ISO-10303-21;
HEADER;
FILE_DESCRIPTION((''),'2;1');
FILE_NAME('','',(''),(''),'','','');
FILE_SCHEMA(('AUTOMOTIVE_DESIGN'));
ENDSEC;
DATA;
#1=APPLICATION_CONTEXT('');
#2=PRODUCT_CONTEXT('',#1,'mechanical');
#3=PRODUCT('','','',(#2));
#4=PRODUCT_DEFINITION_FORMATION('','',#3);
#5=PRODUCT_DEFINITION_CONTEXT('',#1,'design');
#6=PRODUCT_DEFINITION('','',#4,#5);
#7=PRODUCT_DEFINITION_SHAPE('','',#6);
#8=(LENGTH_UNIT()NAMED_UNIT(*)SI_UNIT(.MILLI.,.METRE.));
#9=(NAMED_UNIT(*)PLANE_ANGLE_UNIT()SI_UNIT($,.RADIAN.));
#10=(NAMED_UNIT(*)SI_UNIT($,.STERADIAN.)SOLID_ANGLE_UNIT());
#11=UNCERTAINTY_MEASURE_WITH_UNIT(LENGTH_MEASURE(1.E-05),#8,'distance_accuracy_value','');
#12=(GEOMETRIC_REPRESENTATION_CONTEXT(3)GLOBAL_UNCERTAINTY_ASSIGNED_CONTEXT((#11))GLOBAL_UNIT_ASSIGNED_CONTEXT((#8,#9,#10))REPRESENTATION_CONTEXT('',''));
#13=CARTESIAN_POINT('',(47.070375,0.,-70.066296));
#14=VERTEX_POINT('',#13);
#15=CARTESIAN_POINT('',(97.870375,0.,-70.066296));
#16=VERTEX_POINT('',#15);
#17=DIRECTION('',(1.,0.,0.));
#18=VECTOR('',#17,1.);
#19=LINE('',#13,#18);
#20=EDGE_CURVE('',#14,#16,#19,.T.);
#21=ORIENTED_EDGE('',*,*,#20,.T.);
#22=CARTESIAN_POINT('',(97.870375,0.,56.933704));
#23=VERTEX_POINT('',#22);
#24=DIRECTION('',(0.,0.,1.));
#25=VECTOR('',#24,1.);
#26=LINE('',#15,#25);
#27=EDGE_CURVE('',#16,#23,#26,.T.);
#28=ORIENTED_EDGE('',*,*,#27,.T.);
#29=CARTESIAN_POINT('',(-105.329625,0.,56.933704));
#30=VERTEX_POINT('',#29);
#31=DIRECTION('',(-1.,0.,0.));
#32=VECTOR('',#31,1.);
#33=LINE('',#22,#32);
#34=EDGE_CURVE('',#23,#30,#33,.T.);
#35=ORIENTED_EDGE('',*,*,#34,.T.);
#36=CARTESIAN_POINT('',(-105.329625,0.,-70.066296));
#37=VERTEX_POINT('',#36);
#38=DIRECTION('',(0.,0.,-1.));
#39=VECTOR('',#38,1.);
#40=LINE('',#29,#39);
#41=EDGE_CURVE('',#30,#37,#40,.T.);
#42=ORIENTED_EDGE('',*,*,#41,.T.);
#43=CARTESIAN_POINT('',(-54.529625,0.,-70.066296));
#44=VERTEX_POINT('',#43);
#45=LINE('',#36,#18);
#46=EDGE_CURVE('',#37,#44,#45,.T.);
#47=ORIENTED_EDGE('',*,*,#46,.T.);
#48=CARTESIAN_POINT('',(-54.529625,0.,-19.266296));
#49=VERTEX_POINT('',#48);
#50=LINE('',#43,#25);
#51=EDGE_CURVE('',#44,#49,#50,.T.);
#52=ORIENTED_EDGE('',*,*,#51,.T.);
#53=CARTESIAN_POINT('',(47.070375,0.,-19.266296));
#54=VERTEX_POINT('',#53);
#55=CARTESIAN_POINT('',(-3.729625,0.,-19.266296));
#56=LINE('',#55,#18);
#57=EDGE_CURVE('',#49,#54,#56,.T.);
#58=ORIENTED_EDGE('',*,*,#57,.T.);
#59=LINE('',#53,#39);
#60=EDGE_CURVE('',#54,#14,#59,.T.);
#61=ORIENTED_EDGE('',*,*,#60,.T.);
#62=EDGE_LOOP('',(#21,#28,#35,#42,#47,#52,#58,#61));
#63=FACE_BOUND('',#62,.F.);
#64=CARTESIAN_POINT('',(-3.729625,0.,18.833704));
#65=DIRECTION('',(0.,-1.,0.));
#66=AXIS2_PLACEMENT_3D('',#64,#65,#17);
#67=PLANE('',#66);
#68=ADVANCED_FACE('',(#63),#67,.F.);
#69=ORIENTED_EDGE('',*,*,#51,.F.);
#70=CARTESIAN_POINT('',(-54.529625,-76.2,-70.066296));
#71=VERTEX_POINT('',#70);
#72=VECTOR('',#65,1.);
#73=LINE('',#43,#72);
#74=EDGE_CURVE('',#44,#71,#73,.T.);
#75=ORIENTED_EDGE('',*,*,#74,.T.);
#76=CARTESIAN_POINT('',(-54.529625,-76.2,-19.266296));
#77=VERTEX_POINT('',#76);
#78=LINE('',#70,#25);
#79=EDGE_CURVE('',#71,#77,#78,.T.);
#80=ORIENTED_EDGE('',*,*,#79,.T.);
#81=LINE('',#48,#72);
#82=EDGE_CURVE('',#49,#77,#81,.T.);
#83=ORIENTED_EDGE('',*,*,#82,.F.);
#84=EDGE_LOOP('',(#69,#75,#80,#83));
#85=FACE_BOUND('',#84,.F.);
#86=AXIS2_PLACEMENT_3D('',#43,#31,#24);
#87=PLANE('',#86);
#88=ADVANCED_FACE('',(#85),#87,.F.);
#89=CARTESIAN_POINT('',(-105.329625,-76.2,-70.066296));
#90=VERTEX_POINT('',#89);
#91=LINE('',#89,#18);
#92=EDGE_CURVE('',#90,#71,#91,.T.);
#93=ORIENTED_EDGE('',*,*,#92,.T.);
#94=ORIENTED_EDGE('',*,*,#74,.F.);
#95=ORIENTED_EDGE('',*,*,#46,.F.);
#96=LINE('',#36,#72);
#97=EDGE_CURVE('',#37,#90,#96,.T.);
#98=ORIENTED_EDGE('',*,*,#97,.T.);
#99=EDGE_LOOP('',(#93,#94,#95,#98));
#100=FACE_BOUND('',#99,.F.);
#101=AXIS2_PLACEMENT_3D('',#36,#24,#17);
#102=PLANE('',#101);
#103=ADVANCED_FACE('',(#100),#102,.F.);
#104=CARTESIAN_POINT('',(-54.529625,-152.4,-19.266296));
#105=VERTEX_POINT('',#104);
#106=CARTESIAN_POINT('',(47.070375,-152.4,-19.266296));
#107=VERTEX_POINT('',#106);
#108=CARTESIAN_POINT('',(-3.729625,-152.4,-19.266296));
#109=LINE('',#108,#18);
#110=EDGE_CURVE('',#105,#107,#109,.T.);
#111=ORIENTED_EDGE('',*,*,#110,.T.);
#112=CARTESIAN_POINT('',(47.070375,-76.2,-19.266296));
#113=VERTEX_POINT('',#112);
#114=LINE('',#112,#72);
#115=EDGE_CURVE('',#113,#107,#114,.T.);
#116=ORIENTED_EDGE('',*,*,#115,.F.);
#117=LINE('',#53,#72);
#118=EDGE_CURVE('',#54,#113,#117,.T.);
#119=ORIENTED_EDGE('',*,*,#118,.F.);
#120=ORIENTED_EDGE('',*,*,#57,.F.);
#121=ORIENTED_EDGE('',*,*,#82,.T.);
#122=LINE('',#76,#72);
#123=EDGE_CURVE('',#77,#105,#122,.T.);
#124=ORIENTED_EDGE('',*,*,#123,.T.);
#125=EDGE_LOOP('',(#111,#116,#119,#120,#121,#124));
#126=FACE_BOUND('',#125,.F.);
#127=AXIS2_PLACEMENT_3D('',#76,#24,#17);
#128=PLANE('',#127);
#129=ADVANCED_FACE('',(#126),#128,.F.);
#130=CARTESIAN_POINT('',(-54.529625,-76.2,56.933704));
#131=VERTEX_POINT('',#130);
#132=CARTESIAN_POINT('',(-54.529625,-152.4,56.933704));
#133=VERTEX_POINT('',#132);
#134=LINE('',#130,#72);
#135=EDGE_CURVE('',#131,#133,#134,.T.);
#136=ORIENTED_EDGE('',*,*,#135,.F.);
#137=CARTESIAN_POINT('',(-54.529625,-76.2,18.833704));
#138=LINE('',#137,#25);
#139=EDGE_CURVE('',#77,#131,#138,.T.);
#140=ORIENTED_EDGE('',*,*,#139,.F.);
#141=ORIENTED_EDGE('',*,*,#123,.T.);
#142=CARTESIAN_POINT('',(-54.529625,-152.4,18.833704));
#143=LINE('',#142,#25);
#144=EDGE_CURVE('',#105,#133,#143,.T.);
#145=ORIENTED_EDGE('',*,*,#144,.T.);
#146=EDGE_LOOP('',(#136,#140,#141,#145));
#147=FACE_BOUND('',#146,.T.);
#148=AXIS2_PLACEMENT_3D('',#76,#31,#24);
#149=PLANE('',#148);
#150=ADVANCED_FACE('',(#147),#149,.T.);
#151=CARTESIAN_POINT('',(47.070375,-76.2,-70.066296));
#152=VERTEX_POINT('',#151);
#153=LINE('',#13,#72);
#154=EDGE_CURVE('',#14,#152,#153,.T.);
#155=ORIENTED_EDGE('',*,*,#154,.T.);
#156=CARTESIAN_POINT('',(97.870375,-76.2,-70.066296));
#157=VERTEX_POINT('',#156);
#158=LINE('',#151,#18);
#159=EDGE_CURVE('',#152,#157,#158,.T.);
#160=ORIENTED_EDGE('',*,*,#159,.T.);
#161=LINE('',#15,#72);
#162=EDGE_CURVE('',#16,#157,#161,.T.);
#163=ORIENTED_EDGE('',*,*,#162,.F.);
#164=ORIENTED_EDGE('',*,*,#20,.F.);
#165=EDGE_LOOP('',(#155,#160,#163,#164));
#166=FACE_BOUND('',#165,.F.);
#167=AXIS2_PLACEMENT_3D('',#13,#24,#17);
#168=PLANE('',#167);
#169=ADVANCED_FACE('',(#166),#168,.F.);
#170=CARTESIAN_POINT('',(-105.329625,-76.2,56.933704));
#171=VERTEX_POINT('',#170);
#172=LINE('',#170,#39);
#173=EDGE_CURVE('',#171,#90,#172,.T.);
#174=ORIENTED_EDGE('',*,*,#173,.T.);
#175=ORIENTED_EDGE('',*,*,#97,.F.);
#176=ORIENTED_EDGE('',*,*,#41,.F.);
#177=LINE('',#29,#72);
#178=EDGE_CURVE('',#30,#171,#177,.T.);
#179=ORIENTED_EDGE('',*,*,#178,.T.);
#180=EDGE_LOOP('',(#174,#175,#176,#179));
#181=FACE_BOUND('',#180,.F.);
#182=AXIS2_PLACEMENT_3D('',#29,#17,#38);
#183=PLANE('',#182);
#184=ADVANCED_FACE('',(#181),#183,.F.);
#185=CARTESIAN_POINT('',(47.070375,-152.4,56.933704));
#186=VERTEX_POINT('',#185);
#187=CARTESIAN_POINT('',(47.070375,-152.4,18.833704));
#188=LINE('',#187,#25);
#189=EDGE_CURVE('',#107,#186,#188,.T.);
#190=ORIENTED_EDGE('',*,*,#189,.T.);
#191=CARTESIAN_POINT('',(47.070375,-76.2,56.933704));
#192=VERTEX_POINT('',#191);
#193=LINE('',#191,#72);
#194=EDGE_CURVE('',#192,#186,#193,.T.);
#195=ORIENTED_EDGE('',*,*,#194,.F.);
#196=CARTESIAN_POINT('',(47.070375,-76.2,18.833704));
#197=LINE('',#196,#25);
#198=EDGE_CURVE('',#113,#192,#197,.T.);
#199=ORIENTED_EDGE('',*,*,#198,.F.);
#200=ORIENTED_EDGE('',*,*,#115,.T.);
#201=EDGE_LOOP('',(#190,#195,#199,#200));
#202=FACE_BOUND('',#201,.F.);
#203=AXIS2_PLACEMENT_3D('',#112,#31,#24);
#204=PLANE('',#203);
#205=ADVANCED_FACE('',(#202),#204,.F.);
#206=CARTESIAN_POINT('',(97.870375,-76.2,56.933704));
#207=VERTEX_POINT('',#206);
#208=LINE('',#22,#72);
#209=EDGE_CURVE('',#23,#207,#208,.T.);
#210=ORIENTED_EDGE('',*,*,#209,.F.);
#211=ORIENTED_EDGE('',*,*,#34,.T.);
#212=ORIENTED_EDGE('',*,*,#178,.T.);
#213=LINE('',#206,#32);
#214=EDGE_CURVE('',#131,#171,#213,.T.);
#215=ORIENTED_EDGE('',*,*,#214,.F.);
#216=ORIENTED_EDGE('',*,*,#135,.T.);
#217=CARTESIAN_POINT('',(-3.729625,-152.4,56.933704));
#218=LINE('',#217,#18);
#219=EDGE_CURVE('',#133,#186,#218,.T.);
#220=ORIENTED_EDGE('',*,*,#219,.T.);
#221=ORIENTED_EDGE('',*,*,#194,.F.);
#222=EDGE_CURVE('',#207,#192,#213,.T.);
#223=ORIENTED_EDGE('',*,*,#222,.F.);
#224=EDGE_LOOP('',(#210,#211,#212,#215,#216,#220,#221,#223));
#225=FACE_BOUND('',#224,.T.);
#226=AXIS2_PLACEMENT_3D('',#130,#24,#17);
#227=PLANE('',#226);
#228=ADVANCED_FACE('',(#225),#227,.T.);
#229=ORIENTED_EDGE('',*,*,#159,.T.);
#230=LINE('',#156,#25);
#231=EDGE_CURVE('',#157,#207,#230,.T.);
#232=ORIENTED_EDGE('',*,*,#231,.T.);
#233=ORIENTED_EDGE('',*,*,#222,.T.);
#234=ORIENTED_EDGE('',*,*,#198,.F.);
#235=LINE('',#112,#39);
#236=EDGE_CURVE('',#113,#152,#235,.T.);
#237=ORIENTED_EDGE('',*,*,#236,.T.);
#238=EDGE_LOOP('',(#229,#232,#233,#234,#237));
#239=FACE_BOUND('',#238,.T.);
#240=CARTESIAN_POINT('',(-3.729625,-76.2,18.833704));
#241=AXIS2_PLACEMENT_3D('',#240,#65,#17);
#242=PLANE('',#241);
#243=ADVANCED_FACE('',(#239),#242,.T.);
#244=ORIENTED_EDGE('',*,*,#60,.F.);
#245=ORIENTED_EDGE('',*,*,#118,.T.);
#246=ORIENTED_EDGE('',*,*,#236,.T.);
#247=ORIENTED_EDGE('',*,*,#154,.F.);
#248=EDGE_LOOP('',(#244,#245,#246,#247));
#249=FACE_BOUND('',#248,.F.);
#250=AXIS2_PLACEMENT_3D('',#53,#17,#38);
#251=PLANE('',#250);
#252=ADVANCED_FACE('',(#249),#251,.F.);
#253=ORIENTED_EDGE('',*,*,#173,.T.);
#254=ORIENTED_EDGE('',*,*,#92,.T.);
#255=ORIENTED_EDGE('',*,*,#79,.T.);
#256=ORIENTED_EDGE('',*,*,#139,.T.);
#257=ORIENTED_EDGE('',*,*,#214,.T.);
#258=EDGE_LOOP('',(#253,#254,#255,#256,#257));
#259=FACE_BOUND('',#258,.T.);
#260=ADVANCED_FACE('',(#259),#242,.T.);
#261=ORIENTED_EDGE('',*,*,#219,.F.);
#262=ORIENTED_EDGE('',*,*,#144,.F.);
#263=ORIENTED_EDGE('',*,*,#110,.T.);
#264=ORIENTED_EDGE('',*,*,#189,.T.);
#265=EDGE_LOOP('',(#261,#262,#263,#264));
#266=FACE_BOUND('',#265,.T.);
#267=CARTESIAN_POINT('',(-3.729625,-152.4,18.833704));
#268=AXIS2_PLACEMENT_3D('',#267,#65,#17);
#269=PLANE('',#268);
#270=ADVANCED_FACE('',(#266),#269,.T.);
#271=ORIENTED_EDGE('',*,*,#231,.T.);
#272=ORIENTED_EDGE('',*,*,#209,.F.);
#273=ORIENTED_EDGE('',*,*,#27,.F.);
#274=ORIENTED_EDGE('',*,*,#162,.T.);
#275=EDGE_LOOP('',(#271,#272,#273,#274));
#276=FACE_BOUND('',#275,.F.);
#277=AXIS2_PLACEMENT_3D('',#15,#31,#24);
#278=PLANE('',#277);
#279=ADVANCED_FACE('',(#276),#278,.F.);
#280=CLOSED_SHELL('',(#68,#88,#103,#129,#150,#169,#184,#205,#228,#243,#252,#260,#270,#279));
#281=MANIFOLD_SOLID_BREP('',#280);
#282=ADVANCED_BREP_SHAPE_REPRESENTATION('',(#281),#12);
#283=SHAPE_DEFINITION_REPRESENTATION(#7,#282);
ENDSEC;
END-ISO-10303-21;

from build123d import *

# Parameters (mm, degrees)
F0_W     = 101.6
F0_H     = 76.2
F1_DEPTH = 76.2
F2_W     = 101.6
F2_H     = 76.2
F3_DEPTH = 76.2


with BuildPart() as f1:
    # F0 (on Front) → F1 (new body)
    with BuildSketch(Plane.XZ):
        with Locations((-3.729625, 18.833704)):
            Rectangle(F0_W, F0_H)
        Polygon((-54.529625, -19.266296), (-54.529625, 56.933704), (-105.329625, 56.933704), (-105.329625, -70.066296), (-54.529625, -70.066296), align=None)
        Polygon((97.870375, 56.933704), (47.070375, 56.933704), (47.070375, -19.266296), (47.070375, -70.066296), (97.870375, -70.066296), align=None)
    extrude(amount=F1_DEPTH)

    # F2 (on face) → F3 (join)
    with BuildSketch(Plane.XZ.offset(76.2)):
        with Locations((-3.729625, 18.833704)):
            Rectangle(F2_W, F2_H)
    extrude(amount=F3_DEPTH)


solid = f1.part
